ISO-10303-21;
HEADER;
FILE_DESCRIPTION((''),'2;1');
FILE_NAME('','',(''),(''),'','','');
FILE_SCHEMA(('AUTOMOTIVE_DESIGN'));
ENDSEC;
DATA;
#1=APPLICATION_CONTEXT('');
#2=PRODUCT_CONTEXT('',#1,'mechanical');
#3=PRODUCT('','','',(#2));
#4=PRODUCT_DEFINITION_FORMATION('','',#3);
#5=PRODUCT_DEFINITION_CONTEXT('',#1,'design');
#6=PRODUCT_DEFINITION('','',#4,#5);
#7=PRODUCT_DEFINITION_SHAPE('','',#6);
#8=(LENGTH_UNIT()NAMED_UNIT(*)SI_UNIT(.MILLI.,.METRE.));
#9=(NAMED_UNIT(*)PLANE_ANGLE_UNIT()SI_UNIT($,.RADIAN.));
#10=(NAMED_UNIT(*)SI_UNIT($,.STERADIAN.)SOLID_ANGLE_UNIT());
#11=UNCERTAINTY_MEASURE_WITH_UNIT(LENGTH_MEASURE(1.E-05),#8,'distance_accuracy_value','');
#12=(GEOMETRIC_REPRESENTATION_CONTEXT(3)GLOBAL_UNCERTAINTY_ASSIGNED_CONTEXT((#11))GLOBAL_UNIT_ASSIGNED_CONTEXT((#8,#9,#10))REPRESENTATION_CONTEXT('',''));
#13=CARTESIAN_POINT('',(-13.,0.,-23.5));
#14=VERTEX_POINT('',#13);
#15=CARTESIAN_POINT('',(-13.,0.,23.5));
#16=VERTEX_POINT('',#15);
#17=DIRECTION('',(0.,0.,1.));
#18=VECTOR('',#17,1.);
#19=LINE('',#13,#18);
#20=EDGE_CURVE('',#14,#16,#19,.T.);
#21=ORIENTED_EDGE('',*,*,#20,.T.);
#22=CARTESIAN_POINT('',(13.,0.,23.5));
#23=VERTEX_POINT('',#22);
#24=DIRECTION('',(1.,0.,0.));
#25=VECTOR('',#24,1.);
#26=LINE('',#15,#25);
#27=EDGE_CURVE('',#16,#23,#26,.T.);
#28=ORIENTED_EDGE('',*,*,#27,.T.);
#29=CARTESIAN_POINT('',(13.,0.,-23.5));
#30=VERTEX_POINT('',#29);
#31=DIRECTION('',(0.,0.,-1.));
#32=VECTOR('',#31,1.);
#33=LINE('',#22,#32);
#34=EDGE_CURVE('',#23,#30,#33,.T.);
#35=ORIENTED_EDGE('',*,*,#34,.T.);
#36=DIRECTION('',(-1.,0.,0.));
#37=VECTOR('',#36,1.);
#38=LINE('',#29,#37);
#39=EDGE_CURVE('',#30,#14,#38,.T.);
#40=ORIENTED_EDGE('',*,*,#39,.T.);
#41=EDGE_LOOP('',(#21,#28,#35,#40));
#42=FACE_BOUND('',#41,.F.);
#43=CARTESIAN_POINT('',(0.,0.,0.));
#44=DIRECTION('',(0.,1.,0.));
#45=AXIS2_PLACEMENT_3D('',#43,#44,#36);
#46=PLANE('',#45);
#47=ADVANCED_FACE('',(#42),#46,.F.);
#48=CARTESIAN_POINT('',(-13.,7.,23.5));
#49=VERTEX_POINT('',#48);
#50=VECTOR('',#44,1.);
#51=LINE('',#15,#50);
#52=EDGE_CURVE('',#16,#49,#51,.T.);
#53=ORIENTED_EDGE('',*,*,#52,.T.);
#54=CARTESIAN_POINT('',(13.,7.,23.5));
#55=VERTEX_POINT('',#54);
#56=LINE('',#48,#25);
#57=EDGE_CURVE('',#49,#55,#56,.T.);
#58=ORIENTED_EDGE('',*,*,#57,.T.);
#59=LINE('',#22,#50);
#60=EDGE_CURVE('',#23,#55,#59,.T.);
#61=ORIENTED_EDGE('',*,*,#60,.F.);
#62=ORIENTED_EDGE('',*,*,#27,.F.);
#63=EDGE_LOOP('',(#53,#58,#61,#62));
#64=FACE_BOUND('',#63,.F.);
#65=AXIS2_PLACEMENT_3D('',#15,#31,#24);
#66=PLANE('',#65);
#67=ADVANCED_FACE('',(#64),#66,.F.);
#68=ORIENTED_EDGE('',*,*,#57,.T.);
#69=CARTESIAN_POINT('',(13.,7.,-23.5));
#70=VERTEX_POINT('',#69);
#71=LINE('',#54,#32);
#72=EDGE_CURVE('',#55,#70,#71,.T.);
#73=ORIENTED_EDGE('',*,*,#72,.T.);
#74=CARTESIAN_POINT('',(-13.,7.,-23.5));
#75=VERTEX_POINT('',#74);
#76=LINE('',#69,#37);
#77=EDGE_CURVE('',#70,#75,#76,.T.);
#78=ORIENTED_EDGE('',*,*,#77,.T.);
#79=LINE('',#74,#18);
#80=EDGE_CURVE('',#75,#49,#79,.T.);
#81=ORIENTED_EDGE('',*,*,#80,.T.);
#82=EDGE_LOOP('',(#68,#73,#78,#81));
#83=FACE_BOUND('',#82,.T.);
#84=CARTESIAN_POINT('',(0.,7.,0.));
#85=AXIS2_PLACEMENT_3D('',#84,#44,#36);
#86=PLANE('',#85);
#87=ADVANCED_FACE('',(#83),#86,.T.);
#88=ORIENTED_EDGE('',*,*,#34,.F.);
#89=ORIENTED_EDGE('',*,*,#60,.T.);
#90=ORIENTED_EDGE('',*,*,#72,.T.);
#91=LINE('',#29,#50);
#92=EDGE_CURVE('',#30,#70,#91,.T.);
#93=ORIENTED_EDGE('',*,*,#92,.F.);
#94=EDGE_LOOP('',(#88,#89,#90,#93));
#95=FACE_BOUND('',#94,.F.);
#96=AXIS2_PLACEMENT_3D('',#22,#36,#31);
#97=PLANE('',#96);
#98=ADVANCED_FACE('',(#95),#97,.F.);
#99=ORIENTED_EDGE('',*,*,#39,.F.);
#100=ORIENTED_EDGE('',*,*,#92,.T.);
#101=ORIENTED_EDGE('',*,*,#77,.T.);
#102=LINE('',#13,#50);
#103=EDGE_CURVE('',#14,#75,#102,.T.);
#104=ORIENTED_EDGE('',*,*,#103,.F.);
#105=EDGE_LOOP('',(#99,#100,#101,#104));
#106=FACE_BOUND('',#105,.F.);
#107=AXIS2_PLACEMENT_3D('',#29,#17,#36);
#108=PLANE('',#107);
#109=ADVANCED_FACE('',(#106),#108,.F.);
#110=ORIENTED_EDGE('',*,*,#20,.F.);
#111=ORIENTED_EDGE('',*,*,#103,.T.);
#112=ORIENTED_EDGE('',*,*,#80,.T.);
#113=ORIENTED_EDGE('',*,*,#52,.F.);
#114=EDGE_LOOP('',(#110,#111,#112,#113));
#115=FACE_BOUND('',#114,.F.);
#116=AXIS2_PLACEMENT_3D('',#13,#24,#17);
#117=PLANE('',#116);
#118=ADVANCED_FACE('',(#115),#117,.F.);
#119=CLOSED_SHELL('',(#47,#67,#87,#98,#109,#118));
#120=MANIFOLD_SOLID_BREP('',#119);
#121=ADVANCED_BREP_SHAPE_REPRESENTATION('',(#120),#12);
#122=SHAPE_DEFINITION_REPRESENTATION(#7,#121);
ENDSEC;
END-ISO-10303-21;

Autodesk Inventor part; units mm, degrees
ref_plane "YZ Plane" through (0, 0, 0) normal (1, 0, 0) x (0, 1, 0)
ref_plane "XZ Plane" through (0, 0, 0) normal (0, 1, 0) x (-1, 0, 0)
ref_plane "XY Plane" through (0, 0, 0) normal (0, 0, 1) x (1, 0, 0)
sketch "Sketch1" plane through (0, 0, 0) normal (0, 1, 0) x (-1, 0, 0)
  line L0 (13, 23.5) -> (-13, 23.5)
  line L1 (-13, 23.5) -> (-13, -23.5)
  line L2 (-13, -23.5) -> (13, -23.5)
  line L3 (13, -23.5) -> (13, 23.5)
  line L4 (13, 23.5) -> (-13, -23.5) construction
  line L5 (-13, 23.5) -> (13, -23.5) construction
  point P0 (0, 0)
  dimension "d0" = 26
  dimension "d1" = 47
extrude "Extrusion1" add sketch "Sketch1" along normal blind 7
properties part number "ESC" material "ESC"
